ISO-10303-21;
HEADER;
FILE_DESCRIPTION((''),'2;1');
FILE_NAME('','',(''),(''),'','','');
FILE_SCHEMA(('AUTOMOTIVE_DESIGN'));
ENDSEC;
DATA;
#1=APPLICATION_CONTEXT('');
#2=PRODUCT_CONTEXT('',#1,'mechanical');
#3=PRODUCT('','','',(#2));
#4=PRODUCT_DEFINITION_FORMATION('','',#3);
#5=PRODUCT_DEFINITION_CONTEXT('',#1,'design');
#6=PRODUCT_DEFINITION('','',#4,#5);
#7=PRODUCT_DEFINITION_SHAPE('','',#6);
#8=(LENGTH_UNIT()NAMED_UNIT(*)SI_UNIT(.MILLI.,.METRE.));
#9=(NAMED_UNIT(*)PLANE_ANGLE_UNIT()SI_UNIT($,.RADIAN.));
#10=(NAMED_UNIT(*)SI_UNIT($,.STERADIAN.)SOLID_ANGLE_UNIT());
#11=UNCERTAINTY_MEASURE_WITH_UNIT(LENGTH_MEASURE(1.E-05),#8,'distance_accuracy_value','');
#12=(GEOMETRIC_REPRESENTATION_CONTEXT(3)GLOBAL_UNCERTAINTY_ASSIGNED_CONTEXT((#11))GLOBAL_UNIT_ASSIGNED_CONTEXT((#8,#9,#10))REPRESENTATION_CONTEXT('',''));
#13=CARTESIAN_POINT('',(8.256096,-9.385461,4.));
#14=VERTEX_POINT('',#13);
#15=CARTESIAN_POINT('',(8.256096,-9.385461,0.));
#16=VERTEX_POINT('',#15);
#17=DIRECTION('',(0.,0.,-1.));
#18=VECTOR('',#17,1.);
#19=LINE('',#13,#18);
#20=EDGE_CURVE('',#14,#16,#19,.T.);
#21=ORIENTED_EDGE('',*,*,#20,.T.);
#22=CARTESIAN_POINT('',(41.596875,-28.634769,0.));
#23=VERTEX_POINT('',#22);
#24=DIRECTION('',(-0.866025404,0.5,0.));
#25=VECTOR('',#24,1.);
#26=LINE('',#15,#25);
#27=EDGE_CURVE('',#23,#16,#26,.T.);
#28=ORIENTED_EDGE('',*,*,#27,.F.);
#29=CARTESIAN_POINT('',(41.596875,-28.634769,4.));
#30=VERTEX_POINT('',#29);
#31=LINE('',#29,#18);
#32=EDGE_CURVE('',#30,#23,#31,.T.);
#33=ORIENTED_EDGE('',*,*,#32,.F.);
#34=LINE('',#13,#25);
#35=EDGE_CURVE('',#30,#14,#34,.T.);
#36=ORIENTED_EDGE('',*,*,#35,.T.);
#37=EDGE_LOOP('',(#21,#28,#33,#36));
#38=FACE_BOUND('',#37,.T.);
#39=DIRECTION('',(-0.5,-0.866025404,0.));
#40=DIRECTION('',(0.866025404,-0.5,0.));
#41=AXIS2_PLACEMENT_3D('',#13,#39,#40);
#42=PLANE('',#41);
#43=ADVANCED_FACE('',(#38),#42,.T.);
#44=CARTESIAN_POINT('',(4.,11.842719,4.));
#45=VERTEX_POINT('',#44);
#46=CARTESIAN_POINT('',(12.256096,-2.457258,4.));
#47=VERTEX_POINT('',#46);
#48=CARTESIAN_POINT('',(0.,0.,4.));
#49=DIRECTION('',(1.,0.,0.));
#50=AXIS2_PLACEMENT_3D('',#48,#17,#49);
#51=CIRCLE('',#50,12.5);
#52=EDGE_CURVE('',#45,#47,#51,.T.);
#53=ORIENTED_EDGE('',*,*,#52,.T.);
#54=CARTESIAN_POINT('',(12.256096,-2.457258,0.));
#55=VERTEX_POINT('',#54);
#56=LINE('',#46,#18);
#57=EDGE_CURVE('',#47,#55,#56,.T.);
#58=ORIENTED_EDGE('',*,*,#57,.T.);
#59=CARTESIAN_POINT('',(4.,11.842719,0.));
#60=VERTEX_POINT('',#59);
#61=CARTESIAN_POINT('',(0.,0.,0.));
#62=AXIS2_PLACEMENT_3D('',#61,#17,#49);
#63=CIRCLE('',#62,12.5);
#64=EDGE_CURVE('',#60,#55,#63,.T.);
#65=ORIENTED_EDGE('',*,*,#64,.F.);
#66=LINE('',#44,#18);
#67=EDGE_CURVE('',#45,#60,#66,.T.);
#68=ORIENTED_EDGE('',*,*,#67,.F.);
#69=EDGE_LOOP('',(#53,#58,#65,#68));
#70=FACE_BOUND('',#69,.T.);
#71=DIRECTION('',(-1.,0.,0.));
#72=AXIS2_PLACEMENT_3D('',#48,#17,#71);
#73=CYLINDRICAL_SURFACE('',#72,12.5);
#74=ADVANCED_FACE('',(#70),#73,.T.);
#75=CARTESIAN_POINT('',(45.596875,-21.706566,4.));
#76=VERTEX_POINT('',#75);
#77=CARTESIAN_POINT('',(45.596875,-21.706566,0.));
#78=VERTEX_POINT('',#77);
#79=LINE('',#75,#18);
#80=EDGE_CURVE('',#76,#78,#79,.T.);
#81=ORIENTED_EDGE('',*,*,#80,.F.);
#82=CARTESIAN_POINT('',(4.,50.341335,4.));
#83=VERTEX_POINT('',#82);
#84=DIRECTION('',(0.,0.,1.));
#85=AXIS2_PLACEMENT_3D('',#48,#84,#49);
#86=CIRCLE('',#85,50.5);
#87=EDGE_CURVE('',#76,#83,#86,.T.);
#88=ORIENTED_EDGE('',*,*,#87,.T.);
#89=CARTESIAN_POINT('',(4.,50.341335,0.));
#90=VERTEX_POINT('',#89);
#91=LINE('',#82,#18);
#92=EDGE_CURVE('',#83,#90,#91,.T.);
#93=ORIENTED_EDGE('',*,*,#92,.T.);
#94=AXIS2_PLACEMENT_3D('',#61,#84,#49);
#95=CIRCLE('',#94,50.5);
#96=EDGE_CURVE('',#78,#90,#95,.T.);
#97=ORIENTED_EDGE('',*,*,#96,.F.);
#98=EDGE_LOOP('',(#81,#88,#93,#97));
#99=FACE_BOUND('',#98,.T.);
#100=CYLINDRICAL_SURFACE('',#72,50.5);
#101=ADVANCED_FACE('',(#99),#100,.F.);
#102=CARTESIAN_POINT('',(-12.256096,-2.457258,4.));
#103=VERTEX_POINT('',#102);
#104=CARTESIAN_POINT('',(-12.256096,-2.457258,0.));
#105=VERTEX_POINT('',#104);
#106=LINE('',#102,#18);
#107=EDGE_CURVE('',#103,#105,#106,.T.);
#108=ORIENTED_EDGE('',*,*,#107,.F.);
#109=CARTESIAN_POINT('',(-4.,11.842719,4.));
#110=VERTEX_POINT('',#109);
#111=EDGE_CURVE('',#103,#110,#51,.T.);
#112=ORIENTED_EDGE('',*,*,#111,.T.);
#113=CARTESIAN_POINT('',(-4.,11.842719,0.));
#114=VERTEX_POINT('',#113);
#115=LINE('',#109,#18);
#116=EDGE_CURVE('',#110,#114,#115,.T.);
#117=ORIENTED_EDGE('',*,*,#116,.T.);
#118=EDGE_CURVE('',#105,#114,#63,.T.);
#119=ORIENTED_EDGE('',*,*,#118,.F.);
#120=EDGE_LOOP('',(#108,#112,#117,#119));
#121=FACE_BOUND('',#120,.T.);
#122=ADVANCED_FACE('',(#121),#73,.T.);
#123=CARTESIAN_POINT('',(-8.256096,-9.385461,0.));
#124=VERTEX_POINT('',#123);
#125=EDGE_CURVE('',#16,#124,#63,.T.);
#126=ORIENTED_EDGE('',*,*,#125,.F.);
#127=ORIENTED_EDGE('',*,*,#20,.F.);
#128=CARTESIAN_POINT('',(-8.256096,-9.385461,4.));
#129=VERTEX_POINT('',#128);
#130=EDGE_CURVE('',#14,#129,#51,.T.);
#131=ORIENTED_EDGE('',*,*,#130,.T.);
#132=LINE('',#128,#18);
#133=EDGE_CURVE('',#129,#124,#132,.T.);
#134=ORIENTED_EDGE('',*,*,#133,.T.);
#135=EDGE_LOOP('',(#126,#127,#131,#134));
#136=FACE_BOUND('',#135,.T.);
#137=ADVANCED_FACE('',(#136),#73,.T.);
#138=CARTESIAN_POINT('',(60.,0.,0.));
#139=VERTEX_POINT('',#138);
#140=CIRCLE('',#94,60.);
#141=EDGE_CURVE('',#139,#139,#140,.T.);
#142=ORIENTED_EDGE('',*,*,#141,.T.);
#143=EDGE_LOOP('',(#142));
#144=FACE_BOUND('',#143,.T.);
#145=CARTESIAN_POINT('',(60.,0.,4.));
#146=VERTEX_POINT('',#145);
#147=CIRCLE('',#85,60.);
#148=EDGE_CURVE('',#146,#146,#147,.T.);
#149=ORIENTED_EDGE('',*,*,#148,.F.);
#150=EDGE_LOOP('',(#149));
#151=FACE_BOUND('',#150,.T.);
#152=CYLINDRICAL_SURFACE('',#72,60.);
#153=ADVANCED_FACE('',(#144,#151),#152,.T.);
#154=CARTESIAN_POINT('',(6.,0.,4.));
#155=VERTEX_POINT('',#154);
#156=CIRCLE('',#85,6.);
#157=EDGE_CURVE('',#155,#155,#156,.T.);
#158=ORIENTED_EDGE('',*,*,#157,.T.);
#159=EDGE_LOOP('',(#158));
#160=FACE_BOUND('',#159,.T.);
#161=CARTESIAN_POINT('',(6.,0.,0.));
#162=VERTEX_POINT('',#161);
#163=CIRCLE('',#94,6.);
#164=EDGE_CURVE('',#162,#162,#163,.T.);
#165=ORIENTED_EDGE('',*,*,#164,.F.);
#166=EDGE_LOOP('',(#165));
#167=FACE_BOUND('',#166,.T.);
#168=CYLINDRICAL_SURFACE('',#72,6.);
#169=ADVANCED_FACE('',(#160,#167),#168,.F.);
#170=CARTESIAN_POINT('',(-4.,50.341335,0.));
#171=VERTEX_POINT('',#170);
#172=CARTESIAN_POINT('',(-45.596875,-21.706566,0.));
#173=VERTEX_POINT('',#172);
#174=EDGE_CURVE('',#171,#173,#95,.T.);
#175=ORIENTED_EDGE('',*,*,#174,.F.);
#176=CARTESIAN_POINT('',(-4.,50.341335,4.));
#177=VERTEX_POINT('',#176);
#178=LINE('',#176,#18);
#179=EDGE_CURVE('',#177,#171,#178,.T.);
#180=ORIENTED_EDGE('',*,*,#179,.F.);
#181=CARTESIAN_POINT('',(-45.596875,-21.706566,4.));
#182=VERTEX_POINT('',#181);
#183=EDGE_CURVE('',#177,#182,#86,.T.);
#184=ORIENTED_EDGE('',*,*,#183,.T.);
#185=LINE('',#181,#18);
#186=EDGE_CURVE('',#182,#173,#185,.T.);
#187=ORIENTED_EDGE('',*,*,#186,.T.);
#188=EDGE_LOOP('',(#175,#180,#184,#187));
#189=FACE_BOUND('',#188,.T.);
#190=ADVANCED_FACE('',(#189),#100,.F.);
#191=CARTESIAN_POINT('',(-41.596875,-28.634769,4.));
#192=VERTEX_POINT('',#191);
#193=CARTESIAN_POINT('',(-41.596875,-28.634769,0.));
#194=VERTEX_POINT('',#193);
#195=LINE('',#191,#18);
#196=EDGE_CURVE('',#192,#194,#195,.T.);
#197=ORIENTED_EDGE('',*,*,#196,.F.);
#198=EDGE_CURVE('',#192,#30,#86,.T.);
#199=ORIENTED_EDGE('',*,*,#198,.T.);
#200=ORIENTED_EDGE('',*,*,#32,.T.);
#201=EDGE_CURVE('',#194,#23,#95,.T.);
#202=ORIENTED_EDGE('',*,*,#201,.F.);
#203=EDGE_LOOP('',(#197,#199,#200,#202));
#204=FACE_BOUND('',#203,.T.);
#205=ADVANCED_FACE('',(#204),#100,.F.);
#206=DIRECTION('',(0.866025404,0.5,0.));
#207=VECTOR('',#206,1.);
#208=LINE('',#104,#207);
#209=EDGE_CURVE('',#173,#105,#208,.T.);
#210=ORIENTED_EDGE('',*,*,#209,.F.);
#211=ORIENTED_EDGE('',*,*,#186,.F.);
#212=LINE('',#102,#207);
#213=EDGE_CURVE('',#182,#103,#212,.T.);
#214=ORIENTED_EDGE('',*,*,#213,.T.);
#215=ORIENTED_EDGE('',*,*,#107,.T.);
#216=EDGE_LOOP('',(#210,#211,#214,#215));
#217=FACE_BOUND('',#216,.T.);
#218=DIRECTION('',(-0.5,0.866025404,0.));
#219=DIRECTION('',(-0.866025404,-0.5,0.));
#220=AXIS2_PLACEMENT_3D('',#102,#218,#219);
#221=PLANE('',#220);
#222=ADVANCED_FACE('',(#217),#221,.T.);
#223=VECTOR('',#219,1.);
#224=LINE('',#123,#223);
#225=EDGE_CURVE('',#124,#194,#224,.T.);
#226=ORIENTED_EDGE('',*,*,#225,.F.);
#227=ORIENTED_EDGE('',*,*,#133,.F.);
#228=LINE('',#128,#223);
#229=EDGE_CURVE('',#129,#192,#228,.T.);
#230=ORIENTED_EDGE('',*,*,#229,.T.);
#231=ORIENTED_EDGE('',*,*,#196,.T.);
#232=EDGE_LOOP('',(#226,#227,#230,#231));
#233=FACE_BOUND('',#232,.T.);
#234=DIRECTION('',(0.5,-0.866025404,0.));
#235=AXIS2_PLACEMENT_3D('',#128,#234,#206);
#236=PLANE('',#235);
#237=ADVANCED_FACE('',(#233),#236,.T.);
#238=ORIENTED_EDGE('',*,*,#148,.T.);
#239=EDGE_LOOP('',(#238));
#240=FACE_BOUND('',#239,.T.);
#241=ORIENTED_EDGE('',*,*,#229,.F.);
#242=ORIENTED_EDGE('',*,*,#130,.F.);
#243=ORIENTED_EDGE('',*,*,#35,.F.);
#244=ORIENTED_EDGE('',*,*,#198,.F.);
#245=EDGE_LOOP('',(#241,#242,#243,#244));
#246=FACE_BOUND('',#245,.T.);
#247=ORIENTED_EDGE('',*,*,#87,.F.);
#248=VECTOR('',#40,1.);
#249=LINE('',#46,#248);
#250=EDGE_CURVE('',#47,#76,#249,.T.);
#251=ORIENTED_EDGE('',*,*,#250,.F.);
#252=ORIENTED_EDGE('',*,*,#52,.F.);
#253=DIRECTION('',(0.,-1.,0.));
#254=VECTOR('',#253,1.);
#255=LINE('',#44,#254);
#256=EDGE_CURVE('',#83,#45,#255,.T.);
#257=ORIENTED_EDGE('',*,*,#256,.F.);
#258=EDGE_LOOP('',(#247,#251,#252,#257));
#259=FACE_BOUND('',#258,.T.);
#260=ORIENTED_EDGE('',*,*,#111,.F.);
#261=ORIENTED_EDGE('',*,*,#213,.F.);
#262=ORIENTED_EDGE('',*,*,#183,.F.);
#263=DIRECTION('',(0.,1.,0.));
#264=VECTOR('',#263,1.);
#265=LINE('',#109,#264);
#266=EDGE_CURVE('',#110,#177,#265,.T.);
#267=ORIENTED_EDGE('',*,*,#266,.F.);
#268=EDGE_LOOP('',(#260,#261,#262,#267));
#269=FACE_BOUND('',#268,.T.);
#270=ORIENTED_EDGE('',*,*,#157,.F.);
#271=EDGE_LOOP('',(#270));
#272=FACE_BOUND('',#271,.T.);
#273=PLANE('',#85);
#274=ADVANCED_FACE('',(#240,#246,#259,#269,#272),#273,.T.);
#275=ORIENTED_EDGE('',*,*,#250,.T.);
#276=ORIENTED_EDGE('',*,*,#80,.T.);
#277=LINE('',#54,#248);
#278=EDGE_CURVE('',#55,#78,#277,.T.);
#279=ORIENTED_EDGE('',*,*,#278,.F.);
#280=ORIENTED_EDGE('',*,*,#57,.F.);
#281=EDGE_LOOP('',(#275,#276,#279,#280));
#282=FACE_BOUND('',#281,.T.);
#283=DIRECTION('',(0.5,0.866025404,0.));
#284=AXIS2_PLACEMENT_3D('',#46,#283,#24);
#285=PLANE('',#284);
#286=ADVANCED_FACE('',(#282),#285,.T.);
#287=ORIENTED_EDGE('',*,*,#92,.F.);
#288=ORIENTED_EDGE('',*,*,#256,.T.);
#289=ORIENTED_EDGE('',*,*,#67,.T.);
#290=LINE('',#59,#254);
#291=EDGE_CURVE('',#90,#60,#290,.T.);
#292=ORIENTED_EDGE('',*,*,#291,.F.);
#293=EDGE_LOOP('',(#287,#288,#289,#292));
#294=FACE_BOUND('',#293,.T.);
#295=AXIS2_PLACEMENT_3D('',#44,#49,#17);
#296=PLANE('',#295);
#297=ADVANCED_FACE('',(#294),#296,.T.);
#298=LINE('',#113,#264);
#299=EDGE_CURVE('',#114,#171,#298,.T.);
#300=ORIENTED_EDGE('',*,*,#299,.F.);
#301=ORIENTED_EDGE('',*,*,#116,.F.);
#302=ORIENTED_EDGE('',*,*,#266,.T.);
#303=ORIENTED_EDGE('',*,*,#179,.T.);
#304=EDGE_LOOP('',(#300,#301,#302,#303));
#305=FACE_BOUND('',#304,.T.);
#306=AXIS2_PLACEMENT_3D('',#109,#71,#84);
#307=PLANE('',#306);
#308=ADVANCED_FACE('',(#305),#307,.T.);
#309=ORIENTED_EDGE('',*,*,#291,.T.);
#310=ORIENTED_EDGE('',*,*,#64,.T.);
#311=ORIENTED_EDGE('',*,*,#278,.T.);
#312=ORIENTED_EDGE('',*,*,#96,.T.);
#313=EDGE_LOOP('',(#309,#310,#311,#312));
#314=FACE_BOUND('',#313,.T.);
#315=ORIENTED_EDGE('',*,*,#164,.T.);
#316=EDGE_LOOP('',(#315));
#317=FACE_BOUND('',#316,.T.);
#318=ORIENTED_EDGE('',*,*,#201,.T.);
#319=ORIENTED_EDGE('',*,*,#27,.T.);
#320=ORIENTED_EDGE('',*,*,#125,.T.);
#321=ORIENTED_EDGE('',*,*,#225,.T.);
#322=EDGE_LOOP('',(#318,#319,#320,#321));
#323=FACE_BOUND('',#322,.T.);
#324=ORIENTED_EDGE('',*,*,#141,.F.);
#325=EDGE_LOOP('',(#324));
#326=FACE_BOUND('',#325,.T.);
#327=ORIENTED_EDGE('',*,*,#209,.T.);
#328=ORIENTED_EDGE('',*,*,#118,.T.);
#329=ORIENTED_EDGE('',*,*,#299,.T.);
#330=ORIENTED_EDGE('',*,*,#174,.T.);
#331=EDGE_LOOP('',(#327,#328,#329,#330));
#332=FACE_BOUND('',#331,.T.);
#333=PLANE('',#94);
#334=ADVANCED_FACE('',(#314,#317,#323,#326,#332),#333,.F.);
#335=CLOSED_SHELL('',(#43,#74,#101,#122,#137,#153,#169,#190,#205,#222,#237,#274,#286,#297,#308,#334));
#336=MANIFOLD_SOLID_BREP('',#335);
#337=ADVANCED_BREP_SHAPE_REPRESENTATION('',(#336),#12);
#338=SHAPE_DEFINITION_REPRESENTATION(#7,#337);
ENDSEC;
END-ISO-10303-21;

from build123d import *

# Parameters (mm, degrees)
SKETCH_1_R      = 60
SKETCH_1_R_2    = 6
EXTRUDE_1_DEPTH = 4


with BuildPart() as part:
    # 草图1 → 凸台-拉伸1 (new body)
    with BuildSketch(Plane.XY):
        Circle(SKETCH_1_R)
        Circle(SKETCH_1_R_2, mode=Mode.SUBTRACT)
        with BuildLine():
            Line((-4, 11.842719282), (-4, 50.341334905))
            ThreePointArc((-4, 50.341334905), (-43.734282891, 25.25), (-45.596874888, -21.706565837))
            Line((-45.596874888, -21.706565837), (-12.256095748, -2.457258026))
            ThreePointArc((-12.256095748, -2.457258026), (-10.825317547, 6.25), (-4, 11.842719282))
        make_face(mode=Mode.SUBTRACT)
        with BuildLine():
            Line((4, 11.842719282), (4, 50.341334905))
            ThreePointArc((4, 50.341334905), (43.734282891, 25.25), (45.596874888, -21.706565837))
            Line((45.596874888, -21.706565837), (12.256095748, -2.457258026))
            ThreePointArc((12.256095748, -2.457258026), (10.825317547, 6.25), (4, 11.842719282))
        make_face(mode=Mode.SUBTRACT)
        with BuildLine():
            Line((8.256095748, -9.385461256), (41.596874888, -28.634769068))
            ThreePointArc((41.596874888, -28.634769068), (0, -50.5), (-41.596874888, -28.634769068))
            Line((-41.596874888, -28.634769068), (-8.256095748, -9.385461256))
            ThreePointArc((-8.256095748, -9.385461256), (0, -12.5), (8.256095748, -9.385461256))
        make_face(mode=Mode.SUBTRACT)
    extrude(amount=EXTRUDE_1_DEPTH)


solid = part.part
